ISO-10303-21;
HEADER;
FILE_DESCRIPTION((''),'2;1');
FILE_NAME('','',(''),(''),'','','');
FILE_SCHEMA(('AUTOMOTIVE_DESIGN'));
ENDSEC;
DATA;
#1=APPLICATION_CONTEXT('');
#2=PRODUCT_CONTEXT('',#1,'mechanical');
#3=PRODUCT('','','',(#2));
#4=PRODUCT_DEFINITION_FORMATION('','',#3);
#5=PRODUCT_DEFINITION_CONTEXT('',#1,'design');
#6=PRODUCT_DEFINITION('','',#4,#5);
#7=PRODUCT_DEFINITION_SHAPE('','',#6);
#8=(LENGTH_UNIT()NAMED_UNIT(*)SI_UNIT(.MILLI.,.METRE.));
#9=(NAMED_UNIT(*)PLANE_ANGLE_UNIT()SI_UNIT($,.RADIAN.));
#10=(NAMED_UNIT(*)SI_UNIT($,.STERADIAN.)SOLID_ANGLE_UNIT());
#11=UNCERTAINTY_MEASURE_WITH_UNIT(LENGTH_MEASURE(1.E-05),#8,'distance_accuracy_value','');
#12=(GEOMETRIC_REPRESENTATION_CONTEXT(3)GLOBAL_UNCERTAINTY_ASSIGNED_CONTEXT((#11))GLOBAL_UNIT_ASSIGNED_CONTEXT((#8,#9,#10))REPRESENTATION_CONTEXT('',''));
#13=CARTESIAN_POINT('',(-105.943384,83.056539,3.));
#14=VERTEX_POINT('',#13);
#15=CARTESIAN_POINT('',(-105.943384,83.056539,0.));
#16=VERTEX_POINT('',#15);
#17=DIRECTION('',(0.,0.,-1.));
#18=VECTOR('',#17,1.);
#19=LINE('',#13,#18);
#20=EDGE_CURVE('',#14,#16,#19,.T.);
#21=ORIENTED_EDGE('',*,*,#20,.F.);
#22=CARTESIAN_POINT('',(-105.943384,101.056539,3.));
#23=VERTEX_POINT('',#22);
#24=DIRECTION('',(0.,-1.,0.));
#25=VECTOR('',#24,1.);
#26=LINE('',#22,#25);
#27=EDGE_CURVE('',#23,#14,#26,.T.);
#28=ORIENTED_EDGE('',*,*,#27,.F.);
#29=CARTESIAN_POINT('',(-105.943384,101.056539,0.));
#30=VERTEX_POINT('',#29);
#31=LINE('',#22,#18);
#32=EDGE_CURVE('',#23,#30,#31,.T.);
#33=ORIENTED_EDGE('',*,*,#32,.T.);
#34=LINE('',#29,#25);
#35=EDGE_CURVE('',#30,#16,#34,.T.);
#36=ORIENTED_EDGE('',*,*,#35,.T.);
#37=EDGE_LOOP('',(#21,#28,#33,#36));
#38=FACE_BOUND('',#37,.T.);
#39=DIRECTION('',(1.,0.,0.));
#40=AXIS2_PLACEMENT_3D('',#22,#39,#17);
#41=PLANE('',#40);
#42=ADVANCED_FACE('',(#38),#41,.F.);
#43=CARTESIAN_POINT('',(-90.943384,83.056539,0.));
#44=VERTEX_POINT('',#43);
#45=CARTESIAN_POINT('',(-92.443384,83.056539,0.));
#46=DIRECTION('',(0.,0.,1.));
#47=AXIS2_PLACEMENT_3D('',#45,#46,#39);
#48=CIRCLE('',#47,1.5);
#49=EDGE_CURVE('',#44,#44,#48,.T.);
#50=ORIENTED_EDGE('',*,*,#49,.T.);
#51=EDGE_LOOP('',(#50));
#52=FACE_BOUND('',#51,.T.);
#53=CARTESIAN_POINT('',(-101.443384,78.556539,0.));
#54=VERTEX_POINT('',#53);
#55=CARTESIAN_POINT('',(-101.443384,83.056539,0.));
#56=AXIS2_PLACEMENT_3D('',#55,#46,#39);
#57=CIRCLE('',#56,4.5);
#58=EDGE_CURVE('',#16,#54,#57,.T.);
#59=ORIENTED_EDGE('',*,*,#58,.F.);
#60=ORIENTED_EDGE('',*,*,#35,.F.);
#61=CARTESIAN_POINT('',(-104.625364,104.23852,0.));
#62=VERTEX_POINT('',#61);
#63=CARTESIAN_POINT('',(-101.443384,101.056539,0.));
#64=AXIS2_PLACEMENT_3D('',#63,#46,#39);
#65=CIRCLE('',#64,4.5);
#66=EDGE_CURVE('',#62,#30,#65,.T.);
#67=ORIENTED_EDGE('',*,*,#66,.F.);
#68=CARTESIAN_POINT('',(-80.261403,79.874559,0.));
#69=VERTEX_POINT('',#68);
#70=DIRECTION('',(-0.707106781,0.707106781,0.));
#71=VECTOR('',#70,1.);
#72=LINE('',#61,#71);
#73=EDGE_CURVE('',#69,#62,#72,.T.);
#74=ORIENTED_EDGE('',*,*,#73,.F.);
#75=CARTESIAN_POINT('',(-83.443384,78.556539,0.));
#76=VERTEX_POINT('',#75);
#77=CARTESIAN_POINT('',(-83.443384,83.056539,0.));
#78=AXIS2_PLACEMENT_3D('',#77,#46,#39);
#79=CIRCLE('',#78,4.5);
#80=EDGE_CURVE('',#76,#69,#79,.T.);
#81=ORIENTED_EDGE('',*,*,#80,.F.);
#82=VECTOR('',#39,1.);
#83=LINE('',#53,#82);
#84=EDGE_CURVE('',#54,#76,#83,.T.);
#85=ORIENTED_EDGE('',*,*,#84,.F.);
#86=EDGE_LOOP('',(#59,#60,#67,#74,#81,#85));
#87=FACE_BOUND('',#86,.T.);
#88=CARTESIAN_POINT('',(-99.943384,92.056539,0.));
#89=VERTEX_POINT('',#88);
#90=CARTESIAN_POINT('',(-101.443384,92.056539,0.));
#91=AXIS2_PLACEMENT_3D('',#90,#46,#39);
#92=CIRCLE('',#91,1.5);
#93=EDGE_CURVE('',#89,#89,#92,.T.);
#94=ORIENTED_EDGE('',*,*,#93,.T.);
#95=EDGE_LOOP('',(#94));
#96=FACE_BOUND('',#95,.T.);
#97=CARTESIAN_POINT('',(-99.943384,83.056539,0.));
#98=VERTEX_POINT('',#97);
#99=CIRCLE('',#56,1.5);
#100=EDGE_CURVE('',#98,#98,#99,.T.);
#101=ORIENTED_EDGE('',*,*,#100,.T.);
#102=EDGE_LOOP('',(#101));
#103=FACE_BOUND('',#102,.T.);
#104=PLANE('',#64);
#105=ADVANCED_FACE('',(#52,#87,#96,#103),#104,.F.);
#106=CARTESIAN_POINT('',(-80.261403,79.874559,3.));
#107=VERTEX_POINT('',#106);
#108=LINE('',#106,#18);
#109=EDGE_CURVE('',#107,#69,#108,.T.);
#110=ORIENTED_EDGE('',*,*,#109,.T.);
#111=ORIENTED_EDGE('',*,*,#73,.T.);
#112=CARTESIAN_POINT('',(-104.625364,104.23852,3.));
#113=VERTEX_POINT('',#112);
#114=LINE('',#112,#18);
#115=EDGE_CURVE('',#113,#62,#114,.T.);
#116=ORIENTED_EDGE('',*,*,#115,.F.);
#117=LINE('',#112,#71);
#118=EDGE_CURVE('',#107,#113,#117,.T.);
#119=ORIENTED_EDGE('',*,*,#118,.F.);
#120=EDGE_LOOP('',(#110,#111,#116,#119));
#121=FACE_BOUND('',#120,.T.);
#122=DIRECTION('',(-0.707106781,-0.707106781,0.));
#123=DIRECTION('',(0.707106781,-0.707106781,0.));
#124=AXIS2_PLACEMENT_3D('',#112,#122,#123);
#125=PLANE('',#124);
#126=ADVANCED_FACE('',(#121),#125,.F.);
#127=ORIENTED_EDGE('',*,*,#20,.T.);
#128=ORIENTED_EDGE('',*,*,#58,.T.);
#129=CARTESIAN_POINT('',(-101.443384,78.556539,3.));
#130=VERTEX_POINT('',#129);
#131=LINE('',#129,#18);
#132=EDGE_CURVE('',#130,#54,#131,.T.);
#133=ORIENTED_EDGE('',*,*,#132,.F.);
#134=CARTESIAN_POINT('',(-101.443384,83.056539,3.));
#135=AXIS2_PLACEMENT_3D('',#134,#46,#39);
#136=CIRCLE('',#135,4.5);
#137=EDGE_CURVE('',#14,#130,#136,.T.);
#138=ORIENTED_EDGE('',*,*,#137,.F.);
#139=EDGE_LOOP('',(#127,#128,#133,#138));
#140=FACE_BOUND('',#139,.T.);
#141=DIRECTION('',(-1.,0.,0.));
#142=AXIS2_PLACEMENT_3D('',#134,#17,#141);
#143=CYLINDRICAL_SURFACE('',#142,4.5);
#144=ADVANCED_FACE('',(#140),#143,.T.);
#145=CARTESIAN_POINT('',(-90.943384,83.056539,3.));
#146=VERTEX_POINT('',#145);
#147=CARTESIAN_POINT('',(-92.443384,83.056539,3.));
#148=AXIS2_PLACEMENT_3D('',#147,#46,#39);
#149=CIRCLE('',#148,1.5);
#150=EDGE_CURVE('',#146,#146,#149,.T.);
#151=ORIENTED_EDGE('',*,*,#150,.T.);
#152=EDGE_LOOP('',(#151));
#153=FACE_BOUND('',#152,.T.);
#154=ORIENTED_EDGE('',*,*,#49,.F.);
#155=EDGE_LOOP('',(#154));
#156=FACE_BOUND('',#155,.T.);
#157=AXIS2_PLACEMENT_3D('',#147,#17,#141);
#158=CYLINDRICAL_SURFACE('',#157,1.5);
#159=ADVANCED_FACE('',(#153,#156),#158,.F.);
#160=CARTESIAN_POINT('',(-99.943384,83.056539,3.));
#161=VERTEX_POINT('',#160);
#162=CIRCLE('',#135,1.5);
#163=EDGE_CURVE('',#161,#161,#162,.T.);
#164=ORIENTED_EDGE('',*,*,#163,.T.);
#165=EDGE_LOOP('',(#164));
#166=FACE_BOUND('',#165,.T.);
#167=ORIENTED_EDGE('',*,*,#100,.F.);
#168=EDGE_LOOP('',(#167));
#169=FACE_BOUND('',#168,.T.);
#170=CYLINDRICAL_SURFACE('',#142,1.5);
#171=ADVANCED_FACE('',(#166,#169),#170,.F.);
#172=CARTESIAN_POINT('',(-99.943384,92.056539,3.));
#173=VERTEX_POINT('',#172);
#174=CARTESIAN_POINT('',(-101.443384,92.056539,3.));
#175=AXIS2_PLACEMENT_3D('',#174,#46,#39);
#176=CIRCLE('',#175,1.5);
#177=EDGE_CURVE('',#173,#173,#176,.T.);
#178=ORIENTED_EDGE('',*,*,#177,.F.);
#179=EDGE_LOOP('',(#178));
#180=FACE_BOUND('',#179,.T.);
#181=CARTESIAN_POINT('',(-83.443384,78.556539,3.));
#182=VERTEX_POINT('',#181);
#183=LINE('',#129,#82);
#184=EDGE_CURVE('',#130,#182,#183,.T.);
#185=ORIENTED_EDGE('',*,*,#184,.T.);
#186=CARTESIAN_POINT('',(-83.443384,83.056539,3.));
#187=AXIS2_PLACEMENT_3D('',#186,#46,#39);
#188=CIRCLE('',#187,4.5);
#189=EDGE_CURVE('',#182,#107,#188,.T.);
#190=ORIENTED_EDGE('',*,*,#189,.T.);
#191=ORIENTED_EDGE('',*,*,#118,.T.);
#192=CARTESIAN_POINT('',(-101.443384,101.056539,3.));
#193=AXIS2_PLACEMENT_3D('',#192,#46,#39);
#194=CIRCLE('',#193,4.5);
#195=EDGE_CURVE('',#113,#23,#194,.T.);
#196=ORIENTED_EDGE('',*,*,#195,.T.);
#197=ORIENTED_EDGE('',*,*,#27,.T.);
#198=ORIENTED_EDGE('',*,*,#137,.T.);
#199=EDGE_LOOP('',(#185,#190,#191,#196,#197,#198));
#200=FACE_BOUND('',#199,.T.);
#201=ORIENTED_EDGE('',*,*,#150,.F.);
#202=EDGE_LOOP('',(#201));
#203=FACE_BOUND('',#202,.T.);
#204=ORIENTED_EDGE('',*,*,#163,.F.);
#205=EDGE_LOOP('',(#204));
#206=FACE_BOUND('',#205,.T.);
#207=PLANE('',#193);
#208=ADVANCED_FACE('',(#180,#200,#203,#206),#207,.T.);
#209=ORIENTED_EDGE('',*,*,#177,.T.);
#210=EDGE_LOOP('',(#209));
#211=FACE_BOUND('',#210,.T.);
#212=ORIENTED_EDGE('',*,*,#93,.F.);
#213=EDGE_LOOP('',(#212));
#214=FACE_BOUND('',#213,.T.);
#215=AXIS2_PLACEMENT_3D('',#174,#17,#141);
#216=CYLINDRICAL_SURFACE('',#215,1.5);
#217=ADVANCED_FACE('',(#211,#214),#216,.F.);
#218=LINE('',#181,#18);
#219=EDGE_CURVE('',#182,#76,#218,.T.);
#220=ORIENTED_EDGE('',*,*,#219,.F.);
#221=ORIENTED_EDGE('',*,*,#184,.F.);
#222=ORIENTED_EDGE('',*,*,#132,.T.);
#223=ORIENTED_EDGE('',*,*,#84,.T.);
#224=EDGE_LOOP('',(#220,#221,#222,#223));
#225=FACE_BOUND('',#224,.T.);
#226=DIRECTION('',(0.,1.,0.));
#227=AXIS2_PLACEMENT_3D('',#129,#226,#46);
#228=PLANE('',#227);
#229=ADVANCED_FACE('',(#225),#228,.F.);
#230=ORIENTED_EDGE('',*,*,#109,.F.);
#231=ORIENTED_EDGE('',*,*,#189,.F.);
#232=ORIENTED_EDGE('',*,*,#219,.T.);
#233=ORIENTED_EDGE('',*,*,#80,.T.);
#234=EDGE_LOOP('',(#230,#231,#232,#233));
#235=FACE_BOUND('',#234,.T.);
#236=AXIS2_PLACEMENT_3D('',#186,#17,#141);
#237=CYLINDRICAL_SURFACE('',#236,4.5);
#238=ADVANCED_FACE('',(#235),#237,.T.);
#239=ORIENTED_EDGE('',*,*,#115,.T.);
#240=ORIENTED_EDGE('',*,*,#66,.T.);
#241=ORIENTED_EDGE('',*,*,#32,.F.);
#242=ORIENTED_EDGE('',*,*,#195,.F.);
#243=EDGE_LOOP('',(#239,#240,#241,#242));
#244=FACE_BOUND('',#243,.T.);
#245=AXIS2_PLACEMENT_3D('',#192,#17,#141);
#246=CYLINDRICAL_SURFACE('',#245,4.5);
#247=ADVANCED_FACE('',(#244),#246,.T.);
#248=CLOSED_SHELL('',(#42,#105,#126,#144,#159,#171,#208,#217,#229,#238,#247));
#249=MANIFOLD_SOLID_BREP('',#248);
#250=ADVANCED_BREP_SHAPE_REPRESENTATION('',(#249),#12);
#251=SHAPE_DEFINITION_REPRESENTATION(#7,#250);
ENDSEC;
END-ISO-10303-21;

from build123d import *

# Parameters (mm, degrees)
MODEL_R                 = 1.5
SALIENTE_EXTRUIR1_DEPTH = 3


with BuildPart() as part:
    # Model → Saliente-Extruir1 (new body)
    with BuildSketch(Plane.XY):
        with BuildLine():
            Line((-105.943383637, 101.056539338), (-105.943383637, 83.056539338))
            ThreePointArc((-105.943383637, 83.056539338), (-104.625364152, 79.874558823), (-101.443383637, 78.556539338))
            Line((-101.443383637, 78.556539338), (-83.443383637, 78.556539338))
            ThreePointArc((-83.443383637, 78.556539338), (-81.721308191, 78.899081442), (-80.261403122, 79.874558823))
            Line((-80.261403122, 79.874558823), (-104.625364152, 104.238519853))
            ThreePointArc((-104.625364152, 104.238519853), (-105.600841533, 102.778614784), (-105.943383637, 101.056539338))
        make_face()
        with Locations((-101.443383637, 92.056539338)):
            Circle(MODEL_R, mode=Mode.SUBTRACT)
        with Locations((-101.443383637, 83.056539338)):
            Circle(MODEL_R, mode=Mode.SUBTRACT)
        with Locations((-92.443383637, 83.056539338)):
            Circle(MODEL_R, mode=Mode.SUBTRACT)
    extrude(amount=SALIENTE_EXTRUIR1_DEPTH)


solid = part.part
